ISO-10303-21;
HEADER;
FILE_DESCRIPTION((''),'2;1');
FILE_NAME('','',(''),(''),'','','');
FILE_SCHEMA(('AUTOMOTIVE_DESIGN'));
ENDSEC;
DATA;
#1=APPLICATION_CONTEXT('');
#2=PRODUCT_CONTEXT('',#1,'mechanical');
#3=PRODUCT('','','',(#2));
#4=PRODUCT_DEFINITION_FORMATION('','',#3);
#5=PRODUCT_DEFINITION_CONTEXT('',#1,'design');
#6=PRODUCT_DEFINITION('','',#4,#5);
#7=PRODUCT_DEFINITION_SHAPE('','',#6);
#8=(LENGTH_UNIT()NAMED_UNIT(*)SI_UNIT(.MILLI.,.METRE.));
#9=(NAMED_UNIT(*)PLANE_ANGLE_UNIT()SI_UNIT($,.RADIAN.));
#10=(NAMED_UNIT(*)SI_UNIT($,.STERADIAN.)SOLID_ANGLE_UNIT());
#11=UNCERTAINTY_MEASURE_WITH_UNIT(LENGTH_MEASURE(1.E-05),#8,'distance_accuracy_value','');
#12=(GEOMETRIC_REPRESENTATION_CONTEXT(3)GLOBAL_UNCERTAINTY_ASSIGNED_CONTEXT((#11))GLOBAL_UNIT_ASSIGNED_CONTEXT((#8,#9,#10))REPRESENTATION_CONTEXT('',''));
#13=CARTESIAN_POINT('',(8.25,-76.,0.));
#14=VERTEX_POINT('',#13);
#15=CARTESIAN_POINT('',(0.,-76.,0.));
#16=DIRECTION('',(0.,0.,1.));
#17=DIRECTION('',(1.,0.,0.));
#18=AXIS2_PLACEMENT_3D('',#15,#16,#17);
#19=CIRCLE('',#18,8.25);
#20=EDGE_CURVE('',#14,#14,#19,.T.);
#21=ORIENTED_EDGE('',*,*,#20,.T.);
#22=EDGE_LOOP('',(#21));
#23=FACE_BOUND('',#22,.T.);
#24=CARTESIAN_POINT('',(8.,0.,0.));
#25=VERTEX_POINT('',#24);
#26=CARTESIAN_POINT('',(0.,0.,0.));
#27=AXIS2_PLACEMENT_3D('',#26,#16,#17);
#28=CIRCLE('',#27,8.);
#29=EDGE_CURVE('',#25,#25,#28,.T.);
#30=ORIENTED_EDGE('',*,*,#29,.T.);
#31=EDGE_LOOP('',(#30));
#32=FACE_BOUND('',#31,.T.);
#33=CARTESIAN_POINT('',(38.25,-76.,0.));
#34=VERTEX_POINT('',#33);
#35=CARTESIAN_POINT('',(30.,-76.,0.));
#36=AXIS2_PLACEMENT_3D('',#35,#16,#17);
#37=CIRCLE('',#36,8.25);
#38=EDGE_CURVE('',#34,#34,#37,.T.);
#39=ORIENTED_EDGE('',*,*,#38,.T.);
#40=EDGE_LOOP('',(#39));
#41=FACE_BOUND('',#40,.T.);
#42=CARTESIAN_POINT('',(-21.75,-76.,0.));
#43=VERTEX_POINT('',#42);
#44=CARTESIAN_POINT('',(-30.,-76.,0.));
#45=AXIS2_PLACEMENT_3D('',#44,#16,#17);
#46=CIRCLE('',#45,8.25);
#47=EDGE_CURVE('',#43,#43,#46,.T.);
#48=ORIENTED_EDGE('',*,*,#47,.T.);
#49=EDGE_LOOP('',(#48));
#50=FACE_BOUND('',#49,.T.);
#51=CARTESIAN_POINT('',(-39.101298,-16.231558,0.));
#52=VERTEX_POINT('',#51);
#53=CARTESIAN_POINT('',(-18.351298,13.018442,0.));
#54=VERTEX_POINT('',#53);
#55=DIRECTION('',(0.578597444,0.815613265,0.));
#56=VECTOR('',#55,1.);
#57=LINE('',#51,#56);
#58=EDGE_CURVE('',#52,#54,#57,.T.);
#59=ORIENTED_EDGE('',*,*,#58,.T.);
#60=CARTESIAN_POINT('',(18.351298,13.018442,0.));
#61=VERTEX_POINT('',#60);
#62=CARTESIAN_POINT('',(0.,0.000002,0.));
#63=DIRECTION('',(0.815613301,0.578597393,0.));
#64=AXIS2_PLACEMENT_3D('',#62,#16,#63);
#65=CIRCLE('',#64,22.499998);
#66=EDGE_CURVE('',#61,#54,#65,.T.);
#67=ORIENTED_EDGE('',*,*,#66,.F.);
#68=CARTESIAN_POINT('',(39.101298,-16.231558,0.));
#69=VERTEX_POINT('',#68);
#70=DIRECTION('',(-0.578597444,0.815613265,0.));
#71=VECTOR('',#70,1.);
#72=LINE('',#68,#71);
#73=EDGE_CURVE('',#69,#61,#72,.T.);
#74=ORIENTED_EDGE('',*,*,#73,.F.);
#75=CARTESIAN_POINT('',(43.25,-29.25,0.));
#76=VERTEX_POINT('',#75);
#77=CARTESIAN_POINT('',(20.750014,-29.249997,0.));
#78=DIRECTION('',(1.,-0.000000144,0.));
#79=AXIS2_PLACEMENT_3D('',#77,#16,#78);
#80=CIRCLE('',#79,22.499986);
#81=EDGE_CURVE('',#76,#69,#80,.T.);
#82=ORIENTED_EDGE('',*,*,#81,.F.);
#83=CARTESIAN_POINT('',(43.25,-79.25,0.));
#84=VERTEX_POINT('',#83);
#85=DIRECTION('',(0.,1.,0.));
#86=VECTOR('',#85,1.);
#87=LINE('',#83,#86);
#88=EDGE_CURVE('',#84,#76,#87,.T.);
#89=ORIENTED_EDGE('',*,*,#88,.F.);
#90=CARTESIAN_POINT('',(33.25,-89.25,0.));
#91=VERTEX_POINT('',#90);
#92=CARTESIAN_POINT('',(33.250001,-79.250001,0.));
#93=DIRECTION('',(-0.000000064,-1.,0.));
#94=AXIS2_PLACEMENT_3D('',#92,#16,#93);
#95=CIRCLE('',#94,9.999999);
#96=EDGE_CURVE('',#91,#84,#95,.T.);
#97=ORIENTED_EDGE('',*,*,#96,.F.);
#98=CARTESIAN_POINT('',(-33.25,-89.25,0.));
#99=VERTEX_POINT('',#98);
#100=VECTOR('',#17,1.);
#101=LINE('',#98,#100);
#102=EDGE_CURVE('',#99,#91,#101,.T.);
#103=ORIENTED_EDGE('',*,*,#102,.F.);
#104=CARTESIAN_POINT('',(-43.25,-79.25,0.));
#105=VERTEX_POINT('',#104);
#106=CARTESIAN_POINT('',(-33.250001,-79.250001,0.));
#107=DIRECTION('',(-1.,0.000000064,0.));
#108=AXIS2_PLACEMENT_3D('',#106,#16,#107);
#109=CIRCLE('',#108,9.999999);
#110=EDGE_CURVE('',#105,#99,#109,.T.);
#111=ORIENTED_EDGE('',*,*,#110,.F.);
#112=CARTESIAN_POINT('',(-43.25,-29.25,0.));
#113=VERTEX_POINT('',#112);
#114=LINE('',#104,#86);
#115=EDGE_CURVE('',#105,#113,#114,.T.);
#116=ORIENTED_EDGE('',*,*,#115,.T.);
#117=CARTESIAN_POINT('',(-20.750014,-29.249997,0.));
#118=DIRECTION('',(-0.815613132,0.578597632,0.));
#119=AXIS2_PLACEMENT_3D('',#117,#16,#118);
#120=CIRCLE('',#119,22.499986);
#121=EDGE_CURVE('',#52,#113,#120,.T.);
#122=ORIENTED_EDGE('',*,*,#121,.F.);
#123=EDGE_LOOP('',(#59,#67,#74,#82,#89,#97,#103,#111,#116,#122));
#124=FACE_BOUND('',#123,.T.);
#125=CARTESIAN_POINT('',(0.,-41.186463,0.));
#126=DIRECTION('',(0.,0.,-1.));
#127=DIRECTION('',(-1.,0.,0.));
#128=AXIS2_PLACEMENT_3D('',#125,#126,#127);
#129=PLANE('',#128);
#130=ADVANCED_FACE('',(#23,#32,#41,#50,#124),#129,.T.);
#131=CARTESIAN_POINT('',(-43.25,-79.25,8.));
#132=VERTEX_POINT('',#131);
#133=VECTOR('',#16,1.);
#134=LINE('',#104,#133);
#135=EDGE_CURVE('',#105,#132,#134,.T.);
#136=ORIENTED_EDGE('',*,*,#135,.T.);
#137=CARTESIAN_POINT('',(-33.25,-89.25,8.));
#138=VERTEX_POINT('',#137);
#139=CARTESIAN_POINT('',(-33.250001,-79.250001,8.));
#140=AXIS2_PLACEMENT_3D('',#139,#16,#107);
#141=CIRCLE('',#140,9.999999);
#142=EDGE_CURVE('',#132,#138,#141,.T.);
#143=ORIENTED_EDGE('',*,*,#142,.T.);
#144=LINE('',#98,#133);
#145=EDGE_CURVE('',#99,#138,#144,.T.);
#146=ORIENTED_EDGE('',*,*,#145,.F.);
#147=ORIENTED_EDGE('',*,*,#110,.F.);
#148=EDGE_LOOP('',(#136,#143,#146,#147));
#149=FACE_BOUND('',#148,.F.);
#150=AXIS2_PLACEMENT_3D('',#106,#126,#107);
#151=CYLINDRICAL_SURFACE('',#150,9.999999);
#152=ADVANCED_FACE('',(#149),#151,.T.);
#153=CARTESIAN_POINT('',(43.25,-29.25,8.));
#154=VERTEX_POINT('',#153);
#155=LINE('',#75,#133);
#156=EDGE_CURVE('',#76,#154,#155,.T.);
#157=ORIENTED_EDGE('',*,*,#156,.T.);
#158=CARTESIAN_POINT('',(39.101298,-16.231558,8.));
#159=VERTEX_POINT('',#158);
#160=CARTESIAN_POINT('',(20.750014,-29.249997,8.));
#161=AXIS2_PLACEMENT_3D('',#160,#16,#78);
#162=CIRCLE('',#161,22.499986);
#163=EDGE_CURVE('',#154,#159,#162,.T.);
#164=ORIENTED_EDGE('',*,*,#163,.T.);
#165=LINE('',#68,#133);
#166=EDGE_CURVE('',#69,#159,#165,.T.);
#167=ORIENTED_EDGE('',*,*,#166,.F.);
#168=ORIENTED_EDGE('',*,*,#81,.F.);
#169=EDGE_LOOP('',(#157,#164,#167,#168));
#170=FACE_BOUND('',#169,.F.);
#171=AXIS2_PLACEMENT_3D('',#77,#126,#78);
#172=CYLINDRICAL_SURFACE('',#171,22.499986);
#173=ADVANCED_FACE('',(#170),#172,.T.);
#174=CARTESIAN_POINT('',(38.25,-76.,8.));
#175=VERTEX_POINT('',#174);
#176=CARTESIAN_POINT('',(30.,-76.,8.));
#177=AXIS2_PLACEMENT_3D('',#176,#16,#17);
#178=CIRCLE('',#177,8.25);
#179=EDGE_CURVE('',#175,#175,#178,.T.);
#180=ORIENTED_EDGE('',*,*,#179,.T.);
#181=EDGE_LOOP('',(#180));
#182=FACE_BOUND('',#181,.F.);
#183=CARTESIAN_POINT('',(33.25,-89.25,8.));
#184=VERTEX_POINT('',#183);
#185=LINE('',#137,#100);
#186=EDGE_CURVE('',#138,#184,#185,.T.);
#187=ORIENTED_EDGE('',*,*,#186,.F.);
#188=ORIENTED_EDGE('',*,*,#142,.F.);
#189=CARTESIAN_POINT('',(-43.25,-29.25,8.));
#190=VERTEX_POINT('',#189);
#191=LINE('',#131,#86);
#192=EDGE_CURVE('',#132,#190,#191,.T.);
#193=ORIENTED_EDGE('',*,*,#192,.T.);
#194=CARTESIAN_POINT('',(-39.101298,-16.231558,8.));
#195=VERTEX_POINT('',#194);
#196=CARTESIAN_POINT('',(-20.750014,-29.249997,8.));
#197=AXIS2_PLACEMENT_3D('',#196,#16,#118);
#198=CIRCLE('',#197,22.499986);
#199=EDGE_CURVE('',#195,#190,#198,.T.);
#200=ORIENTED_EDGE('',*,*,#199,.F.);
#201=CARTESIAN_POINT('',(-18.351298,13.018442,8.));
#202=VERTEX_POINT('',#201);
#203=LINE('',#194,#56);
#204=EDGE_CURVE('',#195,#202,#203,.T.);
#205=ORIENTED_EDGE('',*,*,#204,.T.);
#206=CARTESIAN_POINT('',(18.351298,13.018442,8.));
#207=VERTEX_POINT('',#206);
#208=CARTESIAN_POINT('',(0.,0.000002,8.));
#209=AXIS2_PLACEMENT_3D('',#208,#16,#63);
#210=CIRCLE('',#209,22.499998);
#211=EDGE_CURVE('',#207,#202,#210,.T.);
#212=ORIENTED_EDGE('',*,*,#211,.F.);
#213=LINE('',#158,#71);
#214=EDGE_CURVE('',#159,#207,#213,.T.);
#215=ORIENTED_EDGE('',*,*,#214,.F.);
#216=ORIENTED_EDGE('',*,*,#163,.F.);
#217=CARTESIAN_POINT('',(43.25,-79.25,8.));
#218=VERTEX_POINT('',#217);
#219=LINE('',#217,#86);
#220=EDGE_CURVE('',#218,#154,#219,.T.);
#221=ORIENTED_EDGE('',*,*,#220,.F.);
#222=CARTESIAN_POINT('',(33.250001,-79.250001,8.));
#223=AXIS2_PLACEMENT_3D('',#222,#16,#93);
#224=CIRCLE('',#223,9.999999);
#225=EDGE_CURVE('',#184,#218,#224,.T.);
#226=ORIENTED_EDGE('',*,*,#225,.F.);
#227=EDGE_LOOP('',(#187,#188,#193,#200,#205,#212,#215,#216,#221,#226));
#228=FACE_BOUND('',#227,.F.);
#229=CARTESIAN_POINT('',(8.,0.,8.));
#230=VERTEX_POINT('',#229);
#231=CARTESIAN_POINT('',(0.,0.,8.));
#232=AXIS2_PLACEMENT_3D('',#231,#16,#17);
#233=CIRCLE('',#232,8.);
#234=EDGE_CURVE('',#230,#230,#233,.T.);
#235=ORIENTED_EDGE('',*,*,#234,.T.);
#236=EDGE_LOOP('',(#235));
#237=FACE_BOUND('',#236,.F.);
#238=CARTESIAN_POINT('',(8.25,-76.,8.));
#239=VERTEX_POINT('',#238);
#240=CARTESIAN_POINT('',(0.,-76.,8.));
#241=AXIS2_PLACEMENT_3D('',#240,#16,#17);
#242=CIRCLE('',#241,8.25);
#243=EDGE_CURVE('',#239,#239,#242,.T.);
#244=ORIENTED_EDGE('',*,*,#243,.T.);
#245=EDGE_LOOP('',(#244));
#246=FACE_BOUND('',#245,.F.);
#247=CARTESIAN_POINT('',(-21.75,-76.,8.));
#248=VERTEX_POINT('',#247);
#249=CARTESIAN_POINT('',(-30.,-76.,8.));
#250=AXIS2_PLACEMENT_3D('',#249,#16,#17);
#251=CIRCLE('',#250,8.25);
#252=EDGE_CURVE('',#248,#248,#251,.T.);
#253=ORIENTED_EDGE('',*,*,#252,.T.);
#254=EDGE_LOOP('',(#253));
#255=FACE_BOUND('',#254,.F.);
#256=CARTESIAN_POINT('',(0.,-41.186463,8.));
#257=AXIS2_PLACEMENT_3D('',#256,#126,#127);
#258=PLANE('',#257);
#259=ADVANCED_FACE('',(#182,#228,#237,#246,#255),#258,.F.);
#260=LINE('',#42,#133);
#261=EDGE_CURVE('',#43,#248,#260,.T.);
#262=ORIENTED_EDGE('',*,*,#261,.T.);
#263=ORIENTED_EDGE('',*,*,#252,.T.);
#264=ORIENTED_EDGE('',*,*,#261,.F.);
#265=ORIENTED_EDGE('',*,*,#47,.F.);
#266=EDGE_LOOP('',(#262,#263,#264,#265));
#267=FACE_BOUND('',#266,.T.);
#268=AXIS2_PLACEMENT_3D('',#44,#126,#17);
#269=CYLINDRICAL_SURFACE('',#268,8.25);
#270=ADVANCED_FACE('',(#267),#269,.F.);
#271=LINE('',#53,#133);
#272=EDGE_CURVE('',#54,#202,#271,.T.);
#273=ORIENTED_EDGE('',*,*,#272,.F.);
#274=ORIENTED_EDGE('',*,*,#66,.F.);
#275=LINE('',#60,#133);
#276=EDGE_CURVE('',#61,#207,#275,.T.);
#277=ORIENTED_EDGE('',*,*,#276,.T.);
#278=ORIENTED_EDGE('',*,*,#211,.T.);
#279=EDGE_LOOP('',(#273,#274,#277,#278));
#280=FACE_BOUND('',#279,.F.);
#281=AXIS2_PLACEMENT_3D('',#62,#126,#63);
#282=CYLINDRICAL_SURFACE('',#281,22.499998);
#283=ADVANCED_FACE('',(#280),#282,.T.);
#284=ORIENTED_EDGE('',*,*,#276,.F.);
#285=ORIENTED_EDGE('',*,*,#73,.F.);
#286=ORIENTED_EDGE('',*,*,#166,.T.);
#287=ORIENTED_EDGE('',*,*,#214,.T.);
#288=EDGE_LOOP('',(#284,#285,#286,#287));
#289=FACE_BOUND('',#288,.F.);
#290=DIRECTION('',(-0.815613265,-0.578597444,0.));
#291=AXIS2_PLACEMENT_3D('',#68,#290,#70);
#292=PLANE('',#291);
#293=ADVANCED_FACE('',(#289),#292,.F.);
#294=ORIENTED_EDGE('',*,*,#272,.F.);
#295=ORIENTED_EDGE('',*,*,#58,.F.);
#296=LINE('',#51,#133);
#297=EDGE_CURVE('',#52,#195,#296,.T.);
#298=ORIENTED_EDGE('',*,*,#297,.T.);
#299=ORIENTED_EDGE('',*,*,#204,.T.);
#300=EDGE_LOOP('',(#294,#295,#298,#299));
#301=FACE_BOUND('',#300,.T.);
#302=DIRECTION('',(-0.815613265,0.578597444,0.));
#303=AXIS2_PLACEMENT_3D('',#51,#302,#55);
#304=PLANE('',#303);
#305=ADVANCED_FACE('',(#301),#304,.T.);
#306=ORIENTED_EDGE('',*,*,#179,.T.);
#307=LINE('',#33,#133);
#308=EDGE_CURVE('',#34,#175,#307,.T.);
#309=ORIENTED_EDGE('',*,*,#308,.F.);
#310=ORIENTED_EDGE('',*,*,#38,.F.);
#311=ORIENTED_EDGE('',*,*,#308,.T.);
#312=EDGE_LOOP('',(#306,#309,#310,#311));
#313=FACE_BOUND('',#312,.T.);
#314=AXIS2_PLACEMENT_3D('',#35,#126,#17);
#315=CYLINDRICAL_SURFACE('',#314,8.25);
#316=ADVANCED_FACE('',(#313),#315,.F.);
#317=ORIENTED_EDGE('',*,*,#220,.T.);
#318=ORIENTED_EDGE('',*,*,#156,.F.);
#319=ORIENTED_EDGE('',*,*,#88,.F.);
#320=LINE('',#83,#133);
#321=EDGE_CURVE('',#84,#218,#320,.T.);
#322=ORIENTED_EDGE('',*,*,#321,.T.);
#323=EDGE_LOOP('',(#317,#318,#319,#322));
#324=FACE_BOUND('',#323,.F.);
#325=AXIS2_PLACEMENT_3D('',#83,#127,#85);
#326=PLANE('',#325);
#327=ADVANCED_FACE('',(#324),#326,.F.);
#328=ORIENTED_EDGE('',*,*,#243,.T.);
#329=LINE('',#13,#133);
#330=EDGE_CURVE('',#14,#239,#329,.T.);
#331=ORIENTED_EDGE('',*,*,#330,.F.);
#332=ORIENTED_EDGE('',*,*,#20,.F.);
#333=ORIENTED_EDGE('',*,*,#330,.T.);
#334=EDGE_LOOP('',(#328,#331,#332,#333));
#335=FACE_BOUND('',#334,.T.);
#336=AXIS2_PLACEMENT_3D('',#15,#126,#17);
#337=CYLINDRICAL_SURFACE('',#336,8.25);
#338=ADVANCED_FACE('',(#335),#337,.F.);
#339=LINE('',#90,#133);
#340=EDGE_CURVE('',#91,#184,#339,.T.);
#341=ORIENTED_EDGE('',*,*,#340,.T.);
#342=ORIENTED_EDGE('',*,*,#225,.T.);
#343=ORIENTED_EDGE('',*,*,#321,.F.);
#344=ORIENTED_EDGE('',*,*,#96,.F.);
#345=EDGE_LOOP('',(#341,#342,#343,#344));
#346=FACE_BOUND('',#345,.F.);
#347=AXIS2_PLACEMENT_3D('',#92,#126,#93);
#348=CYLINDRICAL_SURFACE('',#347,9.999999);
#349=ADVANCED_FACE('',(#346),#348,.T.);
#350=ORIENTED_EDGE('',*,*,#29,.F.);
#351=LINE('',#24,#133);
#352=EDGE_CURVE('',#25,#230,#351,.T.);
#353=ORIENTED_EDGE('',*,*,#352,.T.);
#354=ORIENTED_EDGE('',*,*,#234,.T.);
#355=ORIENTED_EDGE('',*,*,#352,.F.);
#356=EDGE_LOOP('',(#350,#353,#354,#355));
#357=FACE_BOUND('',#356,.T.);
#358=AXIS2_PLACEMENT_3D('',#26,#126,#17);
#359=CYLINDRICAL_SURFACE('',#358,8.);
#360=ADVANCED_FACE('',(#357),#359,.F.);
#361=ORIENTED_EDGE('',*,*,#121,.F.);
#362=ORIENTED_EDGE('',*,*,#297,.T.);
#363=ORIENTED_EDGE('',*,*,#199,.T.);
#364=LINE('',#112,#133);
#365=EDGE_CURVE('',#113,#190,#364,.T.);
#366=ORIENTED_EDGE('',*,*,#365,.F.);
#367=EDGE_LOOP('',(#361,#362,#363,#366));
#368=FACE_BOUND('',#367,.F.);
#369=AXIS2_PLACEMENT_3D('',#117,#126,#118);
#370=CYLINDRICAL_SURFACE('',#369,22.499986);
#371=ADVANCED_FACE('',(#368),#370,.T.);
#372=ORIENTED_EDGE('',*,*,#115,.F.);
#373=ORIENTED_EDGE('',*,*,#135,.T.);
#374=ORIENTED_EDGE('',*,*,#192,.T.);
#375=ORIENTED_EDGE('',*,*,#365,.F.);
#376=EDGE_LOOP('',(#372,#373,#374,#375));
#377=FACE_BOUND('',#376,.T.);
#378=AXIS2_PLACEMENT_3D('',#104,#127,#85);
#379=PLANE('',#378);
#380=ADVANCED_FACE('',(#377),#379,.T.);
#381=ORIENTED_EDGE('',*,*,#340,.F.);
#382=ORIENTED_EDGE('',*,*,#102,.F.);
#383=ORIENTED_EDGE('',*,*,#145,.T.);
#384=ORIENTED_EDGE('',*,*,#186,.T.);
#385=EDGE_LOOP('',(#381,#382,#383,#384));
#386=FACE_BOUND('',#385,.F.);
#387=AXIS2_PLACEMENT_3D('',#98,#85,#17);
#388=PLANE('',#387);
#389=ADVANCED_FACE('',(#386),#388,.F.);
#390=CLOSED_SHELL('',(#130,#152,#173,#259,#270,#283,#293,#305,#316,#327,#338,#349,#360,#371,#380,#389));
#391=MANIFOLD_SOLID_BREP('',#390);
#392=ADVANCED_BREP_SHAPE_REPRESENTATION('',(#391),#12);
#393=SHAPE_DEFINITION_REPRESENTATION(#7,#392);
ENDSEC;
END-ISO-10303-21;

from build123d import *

# Parameters (mm, degrees)
SKETCH_R   = 8
SKETCH_R_2 = 8.25
PAD_DEPTH  = 8


with BuildPart() as part:
    # Sketch → Pad (new body)
    with BuildSketch(Plane.XY):
        with BuildLine():
            Line((-43.25, -79.25), (-43.25, -29.25))
            ThreePointArc((-39.101298, -16.231558), (-42.18775, -22.418244), (-43.25, -29.25))
            Line((-39.101298, -16.231558), (-18.351298, 13.018442))
            ThreePointArc((18.351298, 13.018442), (0, 22.5), (-18.351298, 13.018442))
            Line((39.101298, -16.231558), (18.351298, 13.018442))
            ThreePointArc((43.25, -29.25), (42.18775, -22.418244), (39.101298, -16.231558))
            Line((43.25, -79.25), (43.25, -29.25))
            ThreePointArc((33.25, -89.25), (40.321068, -86.321068), (43.25, -79.25))
            Line((-33.25, -89.25), (33.25, -89.25))
            ThreePointArc((-43.25, -79.25), (-40.321068, -86.321068), (-33.25, -89.25))
        make_face()
        Circle(SKETCH_R, mode=Mode.SUBTRACT)
        with Locations((0, -76)):
            Circle(SKETCH_R_2, mode=Mode.SUBTRACT)
        with Locations((30, -76)):
            Circle(SKETCH_R_2, mode=Mode.SUBTRACT)
        with Locations((-30, -76)):
            Circle(SKETCH_R_2, mode=Mode.SUBTRACT)
    extrude(amount=PAD_DEPTH)


solid = part.part
